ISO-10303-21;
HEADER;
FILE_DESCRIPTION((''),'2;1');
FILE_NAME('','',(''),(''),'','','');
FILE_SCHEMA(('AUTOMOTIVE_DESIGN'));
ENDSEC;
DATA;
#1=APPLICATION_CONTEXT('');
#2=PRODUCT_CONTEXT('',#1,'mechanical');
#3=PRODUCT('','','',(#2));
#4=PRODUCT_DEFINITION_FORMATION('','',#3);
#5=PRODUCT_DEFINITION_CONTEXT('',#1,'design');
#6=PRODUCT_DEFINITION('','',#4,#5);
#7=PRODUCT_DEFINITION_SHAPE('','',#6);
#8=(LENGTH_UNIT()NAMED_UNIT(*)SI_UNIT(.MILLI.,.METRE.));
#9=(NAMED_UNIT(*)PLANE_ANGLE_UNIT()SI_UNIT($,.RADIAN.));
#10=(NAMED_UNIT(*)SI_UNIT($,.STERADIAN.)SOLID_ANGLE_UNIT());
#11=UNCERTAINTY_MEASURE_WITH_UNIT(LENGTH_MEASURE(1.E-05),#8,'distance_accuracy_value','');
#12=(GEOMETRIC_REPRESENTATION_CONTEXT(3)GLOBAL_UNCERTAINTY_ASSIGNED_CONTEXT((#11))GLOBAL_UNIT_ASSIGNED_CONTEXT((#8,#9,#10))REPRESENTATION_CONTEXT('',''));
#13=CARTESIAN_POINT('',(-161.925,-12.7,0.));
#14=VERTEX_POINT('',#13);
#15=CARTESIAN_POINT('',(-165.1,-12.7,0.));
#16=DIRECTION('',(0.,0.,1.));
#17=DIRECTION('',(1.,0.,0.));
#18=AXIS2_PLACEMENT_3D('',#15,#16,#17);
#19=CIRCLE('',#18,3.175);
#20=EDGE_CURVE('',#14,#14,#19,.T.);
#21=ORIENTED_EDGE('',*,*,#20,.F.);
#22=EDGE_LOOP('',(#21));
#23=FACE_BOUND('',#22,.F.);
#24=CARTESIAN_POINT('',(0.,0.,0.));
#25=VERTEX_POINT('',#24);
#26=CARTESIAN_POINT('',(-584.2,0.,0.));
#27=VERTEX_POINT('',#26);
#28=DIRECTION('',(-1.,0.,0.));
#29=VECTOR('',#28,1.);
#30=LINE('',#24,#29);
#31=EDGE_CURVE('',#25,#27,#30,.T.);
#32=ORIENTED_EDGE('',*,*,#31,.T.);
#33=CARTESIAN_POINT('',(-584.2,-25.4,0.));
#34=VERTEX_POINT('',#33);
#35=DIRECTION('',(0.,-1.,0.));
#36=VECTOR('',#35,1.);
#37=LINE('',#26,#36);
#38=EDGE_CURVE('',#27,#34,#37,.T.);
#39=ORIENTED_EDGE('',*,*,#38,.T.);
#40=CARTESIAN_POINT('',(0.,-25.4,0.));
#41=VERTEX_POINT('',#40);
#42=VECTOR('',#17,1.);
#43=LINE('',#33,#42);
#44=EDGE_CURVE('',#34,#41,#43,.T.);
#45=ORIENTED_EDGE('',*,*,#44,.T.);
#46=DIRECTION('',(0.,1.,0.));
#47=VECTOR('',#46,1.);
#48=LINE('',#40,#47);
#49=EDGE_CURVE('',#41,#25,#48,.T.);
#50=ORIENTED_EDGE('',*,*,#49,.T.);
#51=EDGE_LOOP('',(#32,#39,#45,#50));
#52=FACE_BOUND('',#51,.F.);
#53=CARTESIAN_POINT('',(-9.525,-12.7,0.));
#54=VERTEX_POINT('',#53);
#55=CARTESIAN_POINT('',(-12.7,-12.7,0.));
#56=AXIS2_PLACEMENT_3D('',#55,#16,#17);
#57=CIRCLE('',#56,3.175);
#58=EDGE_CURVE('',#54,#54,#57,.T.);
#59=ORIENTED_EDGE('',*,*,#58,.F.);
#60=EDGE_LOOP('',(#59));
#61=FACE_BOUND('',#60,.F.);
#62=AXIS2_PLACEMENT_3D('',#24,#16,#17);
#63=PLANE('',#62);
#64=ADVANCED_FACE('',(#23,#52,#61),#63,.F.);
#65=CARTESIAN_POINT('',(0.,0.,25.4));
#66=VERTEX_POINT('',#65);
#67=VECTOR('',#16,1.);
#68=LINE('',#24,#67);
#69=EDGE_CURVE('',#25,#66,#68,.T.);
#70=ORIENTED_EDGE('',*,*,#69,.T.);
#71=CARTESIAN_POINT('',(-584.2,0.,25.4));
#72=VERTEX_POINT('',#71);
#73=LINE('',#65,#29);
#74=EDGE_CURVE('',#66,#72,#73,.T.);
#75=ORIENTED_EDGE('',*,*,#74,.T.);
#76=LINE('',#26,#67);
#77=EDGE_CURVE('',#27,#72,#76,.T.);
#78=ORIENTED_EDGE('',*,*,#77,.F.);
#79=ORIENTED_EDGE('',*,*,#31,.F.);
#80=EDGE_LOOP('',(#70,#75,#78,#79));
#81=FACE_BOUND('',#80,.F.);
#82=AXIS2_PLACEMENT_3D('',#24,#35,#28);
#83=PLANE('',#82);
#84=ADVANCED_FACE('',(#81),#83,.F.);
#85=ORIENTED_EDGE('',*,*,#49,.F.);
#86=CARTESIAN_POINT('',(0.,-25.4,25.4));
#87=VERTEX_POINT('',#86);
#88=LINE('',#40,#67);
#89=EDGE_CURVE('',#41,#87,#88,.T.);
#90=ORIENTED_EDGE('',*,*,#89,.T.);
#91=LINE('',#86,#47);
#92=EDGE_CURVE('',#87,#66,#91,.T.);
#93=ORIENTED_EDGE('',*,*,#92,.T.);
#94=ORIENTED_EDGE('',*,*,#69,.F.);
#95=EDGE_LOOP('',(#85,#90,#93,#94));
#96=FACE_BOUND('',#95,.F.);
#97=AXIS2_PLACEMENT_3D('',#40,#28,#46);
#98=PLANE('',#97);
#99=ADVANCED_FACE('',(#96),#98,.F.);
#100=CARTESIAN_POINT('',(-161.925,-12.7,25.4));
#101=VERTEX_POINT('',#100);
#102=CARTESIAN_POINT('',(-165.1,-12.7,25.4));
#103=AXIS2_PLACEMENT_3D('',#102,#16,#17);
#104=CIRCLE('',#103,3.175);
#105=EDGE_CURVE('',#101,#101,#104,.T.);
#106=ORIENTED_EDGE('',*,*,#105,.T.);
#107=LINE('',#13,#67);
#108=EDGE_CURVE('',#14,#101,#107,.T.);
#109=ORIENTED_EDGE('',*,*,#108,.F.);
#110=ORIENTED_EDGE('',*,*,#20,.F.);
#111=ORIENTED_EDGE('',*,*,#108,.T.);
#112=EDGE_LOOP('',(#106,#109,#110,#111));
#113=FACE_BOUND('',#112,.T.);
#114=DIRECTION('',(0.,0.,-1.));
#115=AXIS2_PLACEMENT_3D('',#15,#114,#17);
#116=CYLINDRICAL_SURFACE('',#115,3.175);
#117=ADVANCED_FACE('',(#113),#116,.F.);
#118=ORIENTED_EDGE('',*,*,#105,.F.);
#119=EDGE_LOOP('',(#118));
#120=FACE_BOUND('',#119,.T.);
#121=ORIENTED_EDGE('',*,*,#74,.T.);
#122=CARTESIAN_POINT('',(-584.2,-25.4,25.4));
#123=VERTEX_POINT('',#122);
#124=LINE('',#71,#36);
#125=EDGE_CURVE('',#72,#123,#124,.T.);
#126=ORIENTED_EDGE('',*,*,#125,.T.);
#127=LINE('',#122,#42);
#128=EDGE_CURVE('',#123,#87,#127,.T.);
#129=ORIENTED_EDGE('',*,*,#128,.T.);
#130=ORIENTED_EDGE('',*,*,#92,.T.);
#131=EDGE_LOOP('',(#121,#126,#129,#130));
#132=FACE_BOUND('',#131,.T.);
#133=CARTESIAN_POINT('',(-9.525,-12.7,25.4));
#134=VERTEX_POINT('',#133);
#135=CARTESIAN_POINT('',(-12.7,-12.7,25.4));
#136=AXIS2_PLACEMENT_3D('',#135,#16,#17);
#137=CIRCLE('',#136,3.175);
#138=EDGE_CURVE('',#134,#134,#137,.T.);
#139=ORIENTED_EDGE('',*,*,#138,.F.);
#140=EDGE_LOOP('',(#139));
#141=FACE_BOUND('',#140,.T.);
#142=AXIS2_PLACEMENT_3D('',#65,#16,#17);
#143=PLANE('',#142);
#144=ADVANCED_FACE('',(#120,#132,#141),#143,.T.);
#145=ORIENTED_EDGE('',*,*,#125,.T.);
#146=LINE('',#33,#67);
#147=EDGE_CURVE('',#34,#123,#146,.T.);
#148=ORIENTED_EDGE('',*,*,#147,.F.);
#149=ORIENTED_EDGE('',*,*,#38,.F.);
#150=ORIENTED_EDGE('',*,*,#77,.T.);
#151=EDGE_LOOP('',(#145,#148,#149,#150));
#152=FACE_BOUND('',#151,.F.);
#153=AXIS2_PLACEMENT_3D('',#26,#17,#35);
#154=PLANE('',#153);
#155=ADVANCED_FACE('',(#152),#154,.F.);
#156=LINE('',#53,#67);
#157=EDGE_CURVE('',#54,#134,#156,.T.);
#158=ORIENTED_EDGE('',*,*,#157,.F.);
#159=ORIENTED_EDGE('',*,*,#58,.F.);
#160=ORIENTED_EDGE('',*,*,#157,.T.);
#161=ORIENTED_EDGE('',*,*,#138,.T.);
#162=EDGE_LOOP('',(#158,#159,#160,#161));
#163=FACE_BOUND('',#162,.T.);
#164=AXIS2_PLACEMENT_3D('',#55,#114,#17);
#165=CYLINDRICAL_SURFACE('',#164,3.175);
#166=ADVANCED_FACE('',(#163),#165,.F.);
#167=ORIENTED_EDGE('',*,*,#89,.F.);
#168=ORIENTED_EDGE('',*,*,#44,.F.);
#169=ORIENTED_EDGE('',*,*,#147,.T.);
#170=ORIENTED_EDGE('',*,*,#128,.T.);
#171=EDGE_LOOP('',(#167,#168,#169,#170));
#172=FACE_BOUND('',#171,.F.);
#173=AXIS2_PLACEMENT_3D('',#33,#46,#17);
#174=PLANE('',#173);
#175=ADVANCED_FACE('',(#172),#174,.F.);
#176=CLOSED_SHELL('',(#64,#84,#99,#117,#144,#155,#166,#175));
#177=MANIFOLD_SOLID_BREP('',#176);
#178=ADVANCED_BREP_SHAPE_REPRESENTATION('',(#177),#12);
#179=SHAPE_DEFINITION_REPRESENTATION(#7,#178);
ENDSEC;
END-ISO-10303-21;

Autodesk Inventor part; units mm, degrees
ref_plane "YZ Plane" through (0, 0, 0) normal (1, 0, 0) x (0, 1, 0)
ref_plane "XZ Plane" through (0, 0, 0) normal (0, 1, 0) x (-1, 0, 0)
ref_plane "XY Plane" through (0, 0, 0) normal (0, 0, 1) x (1, 0, 0)
sketch "Sketch1" plane through (0, 0, 0) normal (0, 0, 1) x (1, 0, 0)
  line L0 (0, 0) -> (-584.2, 0)
  line L1 (-584.2, 0) -> (-584.2, -25.4)
  line L2 (-584.2, -25.4) -> (0, -25.4)
  line L3 (0, -25.4) -> (0, 0)
  circle A0 centre (-12.7, -12.7) radius 3.175
  circle A1 centre (-165.1, -12.7) radius 3.175
  dimension "d0" = 25.4
  dimension "d1" = 584.2
  dimension "d2" = 6.35
  dimension "d3" = 6.35
  dimension "d4" = 12.7
  dimension "d5" = 12.7
  dimension "d6" = 152.4
extrude "Extrusion1" add sketch "Sketch1" along normal blind 25.4
properties part number "StingerFoot"
